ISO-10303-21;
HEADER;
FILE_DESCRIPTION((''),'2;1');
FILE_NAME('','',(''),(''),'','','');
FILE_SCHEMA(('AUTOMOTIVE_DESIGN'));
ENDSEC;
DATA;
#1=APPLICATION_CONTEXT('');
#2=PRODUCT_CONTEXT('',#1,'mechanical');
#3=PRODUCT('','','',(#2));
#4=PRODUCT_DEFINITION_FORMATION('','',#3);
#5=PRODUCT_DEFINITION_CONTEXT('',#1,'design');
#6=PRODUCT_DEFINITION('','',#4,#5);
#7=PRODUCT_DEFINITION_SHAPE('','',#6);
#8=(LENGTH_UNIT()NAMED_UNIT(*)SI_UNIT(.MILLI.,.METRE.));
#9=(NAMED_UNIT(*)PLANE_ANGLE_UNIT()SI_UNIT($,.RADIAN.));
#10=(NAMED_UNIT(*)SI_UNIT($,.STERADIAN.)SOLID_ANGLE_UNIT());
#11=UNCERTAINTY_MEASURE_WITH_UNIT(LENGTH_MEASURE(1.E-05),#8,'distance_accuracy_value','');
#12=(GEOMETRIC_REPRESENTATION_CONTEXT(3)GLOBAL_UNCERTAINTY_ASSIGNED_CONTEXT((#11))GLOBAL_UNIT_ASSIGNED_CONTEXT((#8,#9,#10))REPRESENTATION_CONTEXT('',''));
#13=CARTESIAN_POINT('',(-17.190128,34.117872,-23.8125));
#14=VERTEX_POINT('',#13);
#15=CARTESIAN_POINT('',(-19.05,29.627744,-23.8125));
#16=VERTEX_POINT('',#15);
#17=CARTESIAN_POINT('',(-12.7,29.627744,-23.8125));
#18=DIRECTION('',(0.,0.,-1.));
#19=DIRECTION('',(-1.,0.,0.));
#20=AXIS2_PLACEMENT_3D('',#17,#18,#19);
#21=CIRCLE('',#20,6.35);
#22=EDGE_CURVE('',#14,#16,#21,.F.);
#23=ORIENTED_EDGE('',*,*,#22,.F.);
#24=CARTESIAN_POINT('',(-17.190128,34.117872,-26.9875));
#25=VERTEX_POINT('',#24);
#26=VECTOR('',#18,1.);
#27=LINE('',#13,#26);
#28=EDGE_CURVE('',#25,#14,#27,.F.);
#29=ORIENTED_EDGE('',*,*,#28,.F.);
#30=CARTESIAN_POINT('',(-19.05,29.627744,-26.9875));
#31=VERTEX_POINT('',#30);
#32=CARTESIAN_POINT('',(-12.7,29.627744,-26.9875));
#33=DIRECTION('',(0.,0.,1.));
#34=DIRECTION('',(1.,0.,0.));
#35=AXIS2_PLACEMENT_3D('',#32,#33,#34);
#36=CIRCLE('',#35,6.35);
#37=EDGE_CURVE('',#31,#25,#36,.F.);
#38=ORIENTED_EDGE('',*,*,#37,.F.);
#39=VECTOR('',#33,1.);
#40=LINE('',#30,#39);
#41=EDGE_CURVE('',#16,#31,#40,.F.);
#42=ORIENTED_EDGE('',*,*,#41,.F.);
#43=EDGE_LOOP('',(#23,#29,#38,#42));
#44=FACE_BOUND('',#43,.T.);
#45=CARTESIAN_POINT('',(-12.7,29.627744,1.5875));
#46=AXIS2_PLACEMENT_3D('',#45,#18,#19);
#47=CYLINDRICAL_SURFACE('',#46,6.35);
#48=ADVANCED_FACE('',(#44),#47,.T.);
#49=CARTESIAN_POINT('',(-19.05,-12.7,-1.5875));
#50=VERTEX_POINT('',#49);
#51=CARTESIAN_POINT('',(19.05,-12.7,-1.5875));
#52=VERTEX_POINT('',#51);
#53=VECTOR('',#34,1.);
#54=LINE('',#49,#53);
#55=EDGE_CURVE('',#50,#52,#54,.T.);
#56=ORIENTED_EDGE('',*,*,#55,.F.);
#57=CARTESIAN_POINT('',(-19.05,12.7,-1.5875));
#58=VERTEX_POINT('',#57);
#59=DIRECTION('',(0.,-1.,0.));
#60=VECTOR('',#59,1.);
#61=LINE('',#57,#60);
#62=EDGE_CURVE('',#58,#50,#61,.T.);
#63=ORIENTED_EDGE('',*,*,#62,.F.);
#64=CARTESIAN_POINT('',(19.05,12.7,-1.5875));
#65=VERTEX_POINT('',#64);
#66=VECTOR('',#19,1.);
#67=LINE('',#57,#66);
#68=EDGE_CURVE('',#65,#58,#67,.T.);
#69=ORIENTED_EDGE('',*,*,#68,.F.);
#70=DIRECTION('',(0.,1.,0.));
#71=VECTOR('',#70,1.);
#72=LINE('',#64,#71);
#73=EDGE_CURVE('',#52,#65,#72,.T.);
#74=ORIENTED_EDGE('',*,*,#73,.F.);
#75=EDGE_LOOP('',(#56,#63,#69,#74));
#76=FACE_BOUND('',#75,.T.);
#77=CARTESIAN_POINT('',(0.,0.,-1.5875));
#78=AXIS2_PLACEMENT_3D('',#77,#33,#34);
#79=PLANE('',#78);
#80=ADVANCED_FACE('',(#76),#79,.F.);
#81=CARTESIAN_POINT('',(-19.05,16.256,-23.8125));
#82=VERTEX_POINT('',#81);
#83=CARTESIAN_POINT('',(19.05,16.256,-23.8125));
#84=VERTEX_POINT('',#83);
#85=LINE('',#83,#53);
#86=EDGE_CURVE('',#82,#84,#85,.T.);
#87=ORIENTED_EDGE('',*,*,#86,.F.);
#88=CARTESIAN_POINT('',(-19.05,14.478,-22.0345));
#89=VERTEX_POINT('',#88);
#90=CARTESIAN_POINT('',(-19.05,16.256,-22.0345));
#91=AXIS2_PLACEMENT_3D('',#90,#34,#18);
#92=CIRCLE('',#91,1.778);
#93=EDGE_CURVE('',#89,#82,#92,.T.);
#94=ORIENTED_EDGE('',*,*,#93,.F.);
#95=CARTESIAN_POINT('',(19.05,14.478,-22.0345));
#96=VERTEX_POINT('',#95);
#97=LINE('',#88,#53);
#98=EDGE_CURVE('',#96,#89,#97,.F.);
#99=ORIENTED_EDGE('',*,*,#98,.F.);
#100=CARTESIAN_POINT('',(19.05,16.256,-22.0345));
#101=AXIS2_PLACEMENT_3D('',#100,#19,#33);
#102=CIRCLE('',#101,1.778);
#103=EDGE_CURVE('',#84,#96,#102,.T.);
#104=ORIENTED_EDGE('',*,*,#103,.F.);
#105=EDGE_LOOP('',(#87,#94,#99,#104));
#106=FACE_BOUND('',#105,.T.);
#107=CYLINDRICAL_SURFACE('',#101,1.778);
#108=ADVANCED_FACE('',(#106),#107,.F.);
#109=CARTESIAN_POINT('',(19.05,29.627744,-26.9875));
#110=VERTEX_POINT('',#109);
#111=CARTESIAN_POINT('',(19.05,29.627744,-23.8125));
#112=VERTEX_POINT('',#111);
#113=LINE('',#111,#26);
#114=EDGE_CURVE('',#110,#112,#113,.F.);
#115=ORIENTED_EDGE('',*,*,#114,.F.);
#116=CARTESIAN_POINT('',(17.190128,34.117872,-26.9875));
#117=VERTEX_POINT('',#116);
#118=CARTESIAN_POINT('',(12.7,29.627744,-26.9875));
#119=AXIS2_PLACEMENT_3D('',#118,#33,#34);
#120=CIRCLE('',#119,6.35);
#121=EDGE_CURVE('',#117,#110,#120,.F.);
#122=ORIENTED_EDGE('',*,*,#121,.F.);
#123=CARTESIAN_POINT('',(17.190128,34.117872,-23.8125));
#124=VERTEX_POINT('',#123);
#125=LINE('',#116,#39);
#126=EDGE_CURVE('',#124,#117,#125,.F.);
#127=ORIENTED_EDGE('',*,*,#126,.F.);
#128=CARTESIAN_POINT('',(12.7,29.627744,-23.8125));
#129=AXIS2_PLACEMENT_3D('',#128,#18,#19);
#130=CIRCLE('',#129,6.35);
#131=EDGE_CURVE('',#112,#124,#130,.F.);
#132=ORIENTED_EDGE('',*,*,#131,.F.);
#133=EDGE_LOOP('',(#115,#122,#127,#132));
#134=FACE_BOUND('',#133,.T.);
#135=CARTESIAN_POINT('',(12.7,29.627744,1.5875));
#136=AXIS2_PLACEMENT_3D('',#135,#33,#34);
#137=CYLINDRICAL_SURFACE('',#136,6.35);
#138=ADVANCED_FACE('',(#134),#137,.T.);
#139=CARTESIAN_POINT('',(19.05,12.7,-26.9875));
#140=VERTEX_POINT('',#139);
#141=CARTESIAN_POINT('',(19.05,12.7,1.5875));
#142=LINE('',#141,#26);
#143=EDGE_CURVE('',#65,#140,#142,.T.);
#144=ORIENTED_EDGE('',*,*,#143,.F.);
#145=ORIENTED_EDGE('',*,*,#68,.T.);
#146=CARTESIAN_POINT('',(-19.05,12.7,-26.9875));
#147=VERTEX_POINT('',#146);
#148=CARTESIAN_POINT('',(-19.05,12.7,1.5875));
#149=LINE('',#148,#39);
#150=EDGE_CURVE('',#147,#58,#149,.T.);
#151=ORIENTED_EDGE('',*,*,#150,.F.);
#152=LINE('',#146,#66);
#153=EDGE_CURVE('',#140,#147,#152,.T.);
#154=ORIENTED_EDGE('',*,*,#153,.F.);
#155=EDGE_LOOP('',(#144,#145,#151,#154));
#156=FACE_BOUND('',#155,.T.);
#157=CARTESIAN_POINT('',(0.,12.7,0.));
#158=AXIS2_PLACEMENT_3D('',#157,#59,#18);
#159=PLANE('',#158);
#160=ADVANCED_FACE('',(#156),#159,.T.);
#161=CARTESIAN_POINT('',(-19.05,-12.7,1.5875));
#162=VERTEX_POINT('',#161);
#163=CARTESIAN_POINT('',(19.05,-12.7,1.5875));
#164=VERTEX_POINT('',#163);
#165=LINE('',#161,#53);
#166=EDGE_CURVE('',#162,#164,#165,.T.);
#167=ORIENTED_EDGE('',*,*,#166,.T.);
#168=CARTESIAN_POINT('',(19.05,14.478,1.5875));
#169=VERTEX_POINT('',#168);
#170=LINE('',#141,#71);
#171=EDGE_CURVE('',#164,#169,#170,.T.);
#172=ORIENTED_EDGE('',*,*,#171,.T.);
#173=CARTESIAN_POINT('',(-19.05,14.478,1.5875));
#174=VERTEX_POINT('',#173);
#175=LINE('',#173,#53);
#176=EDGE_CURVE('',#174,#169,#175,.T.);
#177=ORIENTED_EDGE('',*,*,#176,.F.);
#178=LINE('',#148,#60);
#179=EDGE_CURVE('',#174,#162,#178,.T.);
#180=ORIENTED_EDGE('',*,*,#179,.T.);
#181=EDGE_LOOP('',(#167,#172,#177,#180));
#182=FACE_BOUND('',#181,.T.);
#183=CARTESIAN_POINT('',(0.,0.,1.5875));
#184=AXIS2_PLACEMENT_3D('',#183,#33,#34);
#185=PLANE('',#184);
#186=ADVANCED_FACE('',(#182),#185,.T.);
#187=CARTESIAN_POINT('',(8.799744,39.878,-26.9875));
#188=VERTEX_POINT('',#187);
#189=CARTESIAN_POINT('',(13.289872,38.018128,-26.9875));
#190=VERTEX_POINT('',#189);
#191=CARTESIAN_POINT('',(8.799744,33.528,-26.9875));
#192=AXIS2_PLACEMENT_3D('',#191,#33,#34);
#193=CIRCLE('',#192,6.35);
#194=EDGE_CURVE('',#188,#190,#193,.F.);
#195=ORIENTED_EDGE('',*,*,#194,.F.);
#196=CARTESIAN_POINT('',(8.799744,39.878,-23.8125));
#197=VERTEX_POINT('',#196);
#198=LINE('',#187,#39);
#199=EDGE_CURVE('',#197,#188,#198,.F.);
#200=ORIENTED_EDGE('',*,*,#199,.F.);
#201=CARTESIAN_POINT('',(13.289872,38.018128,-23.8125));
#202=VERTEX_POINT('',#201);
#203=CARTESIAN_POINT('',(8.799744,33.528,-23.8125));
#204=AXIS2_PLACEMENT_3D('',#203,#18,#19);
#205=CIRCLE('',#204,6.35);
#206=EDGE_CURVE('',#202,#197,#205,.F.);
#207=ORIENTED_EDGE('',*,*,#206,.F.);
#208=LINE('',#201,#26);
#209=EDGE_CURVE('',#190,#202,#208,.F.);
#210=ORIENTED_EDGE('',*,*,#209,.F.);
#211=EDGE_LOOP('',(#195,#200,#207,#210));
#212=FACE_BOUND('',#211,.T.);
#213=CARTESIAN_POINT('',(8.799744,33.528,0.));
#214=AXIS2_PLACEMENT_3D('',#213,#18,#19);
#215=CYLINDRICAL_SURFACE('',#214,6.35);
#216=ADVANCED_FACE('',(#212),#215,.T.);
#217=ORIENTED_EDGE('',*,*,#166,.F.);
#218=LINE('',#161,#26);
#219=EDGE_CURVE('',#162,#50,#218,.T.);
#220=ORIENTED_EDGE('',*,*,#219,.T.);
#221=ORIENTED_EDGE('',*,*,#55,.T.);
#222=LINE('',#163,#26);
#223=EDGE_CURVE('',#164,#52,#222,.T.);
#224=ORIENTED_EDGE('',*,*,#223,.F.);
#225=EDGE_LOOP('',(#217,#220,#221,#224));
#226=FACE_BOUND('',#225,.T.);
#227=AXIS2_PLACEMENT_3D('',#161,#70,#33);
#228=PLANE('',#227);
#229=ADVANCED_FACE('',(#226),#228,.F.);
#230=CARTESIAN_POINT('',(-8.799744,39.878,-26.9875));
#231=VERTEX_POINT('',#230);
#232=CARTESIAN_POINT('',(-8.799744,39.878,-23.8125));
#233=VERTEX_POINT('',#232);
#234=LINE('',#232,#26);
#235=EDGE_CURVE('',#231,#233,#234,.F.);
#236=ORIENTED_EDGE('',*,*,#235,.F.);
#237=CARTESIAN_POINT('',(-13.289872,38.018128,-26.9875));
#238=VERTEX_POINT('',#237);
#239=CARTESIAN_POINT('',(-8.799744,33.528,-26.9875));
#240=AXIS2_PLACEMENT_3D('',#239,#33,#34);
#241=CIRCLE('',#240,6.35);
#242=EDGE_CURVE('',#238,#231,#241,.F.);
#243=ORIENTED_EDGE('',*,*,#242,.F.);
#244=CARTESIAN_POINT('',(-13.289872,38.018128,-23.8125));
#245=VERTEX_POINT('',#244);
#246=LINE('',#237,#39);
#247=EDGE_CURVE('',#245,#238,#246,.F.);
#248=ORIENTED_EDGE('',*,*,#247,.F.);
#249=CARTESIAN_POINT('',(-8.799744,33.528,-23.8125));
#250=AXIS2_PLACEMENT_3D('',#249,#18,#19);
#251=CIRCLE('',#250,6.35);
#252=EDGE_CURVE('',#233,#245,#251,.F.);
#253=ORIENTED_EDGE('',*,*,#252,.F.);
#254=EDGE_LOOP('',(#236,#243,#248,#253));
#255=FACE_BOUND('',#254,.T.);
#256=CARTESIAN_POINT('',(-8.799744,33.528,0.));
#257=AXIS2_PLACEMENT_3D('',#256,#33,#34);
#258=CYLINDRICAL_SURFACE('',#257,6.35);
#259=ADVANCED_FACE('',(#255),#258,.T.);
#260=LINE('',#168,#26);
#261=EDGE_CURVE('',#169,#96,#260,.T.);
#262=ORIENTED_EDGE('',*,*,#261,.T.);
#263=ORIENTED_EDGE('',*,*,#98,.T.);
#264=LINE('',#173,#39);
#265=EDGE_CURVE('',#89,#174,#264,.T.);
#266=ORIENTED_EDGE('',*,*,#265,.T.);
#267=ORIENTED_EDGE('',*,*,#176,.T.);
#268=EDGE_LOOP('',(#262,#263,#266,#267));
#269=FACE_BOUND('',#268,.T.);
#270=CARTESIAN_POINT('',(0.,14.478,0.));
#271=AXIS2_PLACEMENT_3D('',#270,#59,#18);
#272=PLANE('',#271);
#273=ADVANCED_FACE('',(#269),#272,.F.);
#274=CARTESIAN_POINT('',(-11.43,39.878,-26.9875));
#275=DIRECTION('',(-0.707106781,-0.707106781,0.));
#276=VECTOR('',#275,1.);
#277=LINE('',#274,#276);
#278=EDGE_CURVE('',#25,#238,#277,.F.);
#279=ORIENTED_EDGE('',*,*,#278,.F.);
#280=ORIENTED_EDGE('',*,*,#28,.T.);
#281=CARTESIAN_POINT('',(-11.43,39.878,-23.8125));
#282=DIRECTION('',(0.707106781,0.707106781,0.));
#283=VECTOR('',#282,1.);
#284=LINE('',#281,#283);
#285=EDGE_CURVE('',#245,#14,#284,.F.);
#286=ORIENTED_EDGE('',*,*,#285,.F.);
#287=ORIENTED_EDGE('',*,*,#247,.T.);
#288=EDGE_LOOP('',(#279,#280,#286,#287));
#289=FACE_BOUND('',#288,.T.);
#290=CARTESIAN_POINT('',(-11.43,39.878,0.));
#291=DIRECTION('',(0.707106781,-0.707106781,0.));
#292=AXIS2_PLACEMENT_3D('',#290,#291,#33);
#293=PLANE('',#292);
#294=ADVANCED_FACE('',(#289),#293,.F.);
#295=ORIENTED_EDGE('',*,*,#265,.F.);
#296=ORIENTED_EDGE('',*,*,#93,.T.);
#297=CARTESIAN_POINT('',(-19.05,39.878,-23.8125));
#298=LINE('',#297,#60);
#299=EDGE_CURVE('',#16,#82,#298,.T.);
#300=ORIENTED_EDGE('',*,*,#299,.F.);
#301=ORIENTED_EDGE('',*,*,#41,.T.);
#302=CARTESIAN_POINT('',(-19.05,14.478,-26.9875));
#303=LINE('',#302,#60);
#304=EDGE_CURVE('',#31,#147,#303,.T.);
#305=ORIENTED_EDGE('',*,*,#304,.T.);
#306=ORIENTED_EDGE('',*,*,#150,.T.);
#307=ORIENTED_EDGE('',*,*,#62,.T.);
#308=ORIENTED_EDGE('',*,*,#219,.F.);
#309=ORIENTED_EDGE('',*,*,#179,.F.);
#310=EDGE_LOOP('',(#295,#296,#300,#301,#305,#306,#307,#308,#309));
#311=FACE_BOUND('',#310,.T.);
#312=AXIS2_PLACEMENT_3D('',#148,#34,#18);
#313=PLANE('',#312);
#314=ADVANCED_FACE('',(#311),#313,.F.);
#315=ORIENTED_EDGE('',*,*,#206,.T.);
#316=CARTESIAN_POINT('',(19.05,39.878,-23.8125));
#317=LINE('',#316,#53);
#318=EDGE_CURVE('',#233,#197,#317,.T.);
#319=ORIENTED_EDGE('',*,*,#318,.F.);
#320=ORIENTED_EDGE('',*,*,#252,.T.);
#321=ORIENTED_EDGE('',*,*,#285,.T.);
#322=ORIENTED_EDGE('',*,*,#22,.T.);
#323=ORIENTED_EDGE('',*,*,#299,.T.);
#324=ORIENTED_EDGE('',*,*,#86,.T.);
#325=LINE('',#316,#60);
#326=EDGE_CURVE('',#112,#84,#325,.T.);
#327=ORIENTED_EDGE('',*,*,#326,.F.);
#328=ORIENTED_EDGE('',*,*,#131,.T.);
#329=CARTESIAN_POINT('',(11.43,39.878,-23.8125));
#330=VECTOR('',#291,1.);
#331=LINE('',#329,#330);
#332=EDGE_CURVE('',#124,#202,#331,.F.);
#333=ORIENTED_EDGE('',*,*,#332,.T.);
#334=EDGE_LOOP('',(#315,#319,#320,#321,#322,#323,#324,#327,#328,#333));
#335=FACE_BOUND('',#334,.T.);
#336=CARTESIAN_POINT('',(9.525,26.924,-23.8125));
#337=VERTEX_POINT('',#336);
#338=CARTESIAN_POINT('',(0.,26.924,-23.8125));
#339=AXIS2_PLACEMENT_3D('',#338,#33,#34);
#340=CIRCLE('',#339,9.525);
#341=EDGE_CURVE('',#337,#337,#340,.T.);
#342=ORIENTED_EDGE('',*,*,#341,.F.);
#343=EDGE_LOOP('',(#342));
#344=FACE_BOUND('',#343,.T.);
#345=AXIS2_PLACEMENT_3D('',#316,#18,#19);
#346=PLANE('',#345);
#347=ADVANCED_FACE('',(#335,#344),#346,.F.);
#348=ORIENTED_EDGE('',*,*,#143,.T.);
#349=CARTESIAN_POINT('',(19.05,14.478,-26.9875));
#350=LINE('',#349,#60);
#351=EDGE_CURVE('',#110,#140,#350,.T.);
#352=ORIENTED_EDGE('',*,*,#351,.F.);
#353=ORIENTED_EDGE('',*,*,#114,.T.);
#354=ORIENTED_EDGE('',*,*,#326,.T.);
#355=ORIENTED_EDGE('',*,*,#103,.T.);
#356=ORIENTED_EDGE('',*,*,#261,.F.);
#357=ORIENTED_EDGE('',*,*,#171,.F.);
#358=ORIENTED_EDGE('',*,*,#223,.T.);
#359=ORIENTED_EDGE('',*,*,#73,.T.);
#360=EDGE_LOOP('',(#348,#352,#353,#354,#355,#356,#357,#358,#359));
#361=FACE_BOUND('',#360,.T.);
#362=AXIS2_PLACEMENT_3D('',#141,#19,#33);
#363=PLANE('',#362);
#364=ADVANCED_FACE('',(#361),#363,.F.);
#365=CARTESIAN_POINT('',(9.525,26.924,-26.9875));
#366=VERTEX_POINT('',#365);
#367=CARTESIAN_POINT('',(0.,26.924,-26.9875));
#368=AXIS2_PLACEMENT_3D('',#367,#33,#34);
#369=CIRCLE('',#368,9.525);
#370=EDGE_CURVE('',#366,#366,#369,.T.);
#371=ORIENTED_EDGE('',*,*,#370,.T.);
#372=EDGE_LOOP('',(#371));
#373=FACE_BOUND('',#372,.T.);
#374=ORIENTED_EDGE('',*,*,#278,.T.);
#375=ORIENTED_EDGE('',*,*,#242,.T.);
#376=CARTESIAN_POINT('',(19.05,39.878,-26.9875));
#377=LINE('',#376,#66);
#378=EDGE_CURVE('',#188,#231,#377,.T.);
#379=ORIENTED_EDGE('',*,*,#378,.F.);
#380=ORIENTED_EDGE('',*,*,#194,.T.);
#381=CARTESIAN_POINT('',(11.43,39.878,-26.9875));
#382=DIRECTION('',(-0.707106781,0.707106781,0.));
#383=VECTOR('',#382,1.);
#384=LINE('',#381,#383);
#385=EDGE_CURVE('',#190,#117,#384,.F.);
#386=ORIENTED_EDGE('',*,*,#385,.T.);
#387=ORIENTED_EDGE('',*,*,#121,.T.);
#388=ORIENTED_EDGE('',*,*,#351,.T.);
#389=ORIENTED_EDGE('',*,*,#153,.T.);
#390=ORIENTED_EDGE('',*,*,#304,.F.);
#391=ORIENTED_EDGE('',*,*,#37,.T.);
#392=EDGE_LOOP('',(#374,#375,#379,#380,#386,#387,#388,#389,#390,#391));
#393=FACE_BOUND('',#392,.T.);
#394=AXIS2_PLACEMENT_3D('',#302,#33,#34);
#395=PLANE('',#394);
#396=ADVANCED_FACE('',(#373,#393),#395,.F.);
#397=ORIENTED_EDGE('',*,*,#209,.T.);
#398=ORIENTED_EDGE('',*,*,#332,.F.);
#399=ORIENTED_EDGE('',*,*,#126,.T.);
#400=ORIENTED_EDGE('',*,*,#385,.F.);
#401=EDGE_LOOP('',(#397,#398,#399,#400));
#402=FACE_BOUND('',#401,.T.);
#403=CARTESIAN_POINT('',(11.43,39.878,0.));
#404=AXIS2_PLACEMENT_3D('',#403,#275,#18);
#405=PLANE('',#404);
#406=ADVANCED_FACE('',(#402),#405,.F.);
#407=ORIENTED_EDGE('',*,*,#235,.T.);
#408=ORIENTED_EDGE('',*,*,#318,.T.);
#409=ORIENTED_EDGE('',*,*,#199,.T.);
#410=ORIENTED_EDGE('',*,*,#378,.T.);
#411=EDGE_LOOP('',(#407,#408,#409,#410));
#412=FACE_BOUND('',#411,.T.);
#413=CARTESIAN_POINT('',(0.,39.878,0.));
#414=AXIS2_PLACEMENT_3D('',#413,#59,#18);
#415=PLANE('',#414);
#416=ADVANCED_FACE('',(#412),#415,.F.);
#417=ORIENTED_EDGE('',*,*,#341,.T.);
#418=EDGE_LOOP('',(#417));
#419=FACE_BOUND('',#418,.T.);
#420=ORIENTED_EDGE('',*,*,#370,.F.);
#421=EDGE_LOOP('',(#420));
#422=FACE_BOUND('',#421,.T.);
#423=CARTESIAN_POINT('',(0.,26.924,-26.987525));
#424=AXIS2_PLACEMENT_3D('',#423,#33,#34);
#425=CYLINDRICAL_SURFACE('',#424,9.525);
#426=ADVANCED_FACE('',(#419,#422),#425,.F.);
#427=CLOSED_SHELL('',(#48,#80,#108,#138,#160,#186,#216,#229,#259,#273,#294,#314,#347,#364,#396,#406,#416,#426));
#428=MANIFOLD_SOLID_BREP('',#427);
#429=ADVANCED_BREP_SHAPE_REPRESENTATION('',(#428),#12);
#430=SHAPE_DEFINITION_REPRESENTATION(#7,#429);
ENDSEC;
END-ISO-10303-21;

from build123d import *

# Parameters (mm, degrees)
SKETCH1_W           = 38.1
SKETCH1_H           = 25.4
BOSS_EXTRUDE1_DEPTH = 1.5875
SKETCH2_W           = 38.1
SKETCH2_H           = 28.575
BOSS_EXTRUDE2_DEPTH = 1.778
SKETCH3_W           = 38.1
SKETCH3_H           = 3.175
BOSS_EXTRUDE3_DEPTH = 25.4
SKETCH5_R           = 9.525
CUT_EXTRUDE1_DEPTH  = 51.973693058
CHAMFER1_SIZE       = 7.62
FILLET1_R           = 6.35
FILLET2_R           = 1.778


with BuildPart() as part:
    # Sketch1 → Boss-Extrude1 (new, symmetric)
    with BuildSketch(Plane.XY):
        Rectangle(SKETCH1_W, SKETCH1_H)
    extrude(amount=BOSS_EXTRUDE1_DEPTH, both=True)

    # Sketch2 → Boss-Extrude2 (add)
    with BuildSketch(Plane(origin=(0, 12.7, 0), x_dir=(1, 0, 0), z_dir=(0, 1, 0))):
        with Locations((0, 12.7)):
            Rectangle(SKETCH2_W, SKETCH2_H)
    extrude(amount=BOSS_EXTRUDE2_DEPTH)

    # Sketch3 → Boss-Extrude3 (add)
    with BuildSketch(Plane(origin=(0, 14.478, 0), x_dir=(1, 0, 0), z_dir=(0, 1, 0))):
        with Locations((0, 25.4)):
            Rectangle(SKETCH3_W, SKETCH3_H)
    extrude(amount=BOSS_EXTRUDE3_DEPTH)

    # Sketch5 → Cut-Extrude1 (cut, through all)
    with BuildSketch(Plane.XY.offset(-23.8125)):
        with Locations((0, 26.924)):
            Circle(SKETCH5_R)
    extrude(amount=-CUT_EXTRUDE1_DEPTH, mode=Mode.SUBTRACT)

    # Chamfer1
    chamfer1_edges = [part.edges().sort_by_distance(p)[0] for p in [
        (-19.05, 39.878, -25.4),
        (19.05, 39.878, -25.4),
    ]]
    chamfer(chamfer1_edges, length=CHAMFER1_SIZE)

    # Fillet1
    fillet1_edges = [part.edges().sort_by_distance(p)[0] for p in [
        (-19.05, 32.258, -25.4),
        (-11.43, 39.878, -25.4),
        (19.05, 32.258, -25.4),
        (11.43, 39.878, -25.4),
    ]]
    fillet(fillet1_edges, radius=FILLET1_R)

    # Fillet2
    fillet2_edges = [part.edges().sort_by_distance(p)[0] for p in [
        (0, 14.478, -23.8125),
    ]]
    fillet(fillet2_edges, radius=FILLET2_R)


solid = part.part
